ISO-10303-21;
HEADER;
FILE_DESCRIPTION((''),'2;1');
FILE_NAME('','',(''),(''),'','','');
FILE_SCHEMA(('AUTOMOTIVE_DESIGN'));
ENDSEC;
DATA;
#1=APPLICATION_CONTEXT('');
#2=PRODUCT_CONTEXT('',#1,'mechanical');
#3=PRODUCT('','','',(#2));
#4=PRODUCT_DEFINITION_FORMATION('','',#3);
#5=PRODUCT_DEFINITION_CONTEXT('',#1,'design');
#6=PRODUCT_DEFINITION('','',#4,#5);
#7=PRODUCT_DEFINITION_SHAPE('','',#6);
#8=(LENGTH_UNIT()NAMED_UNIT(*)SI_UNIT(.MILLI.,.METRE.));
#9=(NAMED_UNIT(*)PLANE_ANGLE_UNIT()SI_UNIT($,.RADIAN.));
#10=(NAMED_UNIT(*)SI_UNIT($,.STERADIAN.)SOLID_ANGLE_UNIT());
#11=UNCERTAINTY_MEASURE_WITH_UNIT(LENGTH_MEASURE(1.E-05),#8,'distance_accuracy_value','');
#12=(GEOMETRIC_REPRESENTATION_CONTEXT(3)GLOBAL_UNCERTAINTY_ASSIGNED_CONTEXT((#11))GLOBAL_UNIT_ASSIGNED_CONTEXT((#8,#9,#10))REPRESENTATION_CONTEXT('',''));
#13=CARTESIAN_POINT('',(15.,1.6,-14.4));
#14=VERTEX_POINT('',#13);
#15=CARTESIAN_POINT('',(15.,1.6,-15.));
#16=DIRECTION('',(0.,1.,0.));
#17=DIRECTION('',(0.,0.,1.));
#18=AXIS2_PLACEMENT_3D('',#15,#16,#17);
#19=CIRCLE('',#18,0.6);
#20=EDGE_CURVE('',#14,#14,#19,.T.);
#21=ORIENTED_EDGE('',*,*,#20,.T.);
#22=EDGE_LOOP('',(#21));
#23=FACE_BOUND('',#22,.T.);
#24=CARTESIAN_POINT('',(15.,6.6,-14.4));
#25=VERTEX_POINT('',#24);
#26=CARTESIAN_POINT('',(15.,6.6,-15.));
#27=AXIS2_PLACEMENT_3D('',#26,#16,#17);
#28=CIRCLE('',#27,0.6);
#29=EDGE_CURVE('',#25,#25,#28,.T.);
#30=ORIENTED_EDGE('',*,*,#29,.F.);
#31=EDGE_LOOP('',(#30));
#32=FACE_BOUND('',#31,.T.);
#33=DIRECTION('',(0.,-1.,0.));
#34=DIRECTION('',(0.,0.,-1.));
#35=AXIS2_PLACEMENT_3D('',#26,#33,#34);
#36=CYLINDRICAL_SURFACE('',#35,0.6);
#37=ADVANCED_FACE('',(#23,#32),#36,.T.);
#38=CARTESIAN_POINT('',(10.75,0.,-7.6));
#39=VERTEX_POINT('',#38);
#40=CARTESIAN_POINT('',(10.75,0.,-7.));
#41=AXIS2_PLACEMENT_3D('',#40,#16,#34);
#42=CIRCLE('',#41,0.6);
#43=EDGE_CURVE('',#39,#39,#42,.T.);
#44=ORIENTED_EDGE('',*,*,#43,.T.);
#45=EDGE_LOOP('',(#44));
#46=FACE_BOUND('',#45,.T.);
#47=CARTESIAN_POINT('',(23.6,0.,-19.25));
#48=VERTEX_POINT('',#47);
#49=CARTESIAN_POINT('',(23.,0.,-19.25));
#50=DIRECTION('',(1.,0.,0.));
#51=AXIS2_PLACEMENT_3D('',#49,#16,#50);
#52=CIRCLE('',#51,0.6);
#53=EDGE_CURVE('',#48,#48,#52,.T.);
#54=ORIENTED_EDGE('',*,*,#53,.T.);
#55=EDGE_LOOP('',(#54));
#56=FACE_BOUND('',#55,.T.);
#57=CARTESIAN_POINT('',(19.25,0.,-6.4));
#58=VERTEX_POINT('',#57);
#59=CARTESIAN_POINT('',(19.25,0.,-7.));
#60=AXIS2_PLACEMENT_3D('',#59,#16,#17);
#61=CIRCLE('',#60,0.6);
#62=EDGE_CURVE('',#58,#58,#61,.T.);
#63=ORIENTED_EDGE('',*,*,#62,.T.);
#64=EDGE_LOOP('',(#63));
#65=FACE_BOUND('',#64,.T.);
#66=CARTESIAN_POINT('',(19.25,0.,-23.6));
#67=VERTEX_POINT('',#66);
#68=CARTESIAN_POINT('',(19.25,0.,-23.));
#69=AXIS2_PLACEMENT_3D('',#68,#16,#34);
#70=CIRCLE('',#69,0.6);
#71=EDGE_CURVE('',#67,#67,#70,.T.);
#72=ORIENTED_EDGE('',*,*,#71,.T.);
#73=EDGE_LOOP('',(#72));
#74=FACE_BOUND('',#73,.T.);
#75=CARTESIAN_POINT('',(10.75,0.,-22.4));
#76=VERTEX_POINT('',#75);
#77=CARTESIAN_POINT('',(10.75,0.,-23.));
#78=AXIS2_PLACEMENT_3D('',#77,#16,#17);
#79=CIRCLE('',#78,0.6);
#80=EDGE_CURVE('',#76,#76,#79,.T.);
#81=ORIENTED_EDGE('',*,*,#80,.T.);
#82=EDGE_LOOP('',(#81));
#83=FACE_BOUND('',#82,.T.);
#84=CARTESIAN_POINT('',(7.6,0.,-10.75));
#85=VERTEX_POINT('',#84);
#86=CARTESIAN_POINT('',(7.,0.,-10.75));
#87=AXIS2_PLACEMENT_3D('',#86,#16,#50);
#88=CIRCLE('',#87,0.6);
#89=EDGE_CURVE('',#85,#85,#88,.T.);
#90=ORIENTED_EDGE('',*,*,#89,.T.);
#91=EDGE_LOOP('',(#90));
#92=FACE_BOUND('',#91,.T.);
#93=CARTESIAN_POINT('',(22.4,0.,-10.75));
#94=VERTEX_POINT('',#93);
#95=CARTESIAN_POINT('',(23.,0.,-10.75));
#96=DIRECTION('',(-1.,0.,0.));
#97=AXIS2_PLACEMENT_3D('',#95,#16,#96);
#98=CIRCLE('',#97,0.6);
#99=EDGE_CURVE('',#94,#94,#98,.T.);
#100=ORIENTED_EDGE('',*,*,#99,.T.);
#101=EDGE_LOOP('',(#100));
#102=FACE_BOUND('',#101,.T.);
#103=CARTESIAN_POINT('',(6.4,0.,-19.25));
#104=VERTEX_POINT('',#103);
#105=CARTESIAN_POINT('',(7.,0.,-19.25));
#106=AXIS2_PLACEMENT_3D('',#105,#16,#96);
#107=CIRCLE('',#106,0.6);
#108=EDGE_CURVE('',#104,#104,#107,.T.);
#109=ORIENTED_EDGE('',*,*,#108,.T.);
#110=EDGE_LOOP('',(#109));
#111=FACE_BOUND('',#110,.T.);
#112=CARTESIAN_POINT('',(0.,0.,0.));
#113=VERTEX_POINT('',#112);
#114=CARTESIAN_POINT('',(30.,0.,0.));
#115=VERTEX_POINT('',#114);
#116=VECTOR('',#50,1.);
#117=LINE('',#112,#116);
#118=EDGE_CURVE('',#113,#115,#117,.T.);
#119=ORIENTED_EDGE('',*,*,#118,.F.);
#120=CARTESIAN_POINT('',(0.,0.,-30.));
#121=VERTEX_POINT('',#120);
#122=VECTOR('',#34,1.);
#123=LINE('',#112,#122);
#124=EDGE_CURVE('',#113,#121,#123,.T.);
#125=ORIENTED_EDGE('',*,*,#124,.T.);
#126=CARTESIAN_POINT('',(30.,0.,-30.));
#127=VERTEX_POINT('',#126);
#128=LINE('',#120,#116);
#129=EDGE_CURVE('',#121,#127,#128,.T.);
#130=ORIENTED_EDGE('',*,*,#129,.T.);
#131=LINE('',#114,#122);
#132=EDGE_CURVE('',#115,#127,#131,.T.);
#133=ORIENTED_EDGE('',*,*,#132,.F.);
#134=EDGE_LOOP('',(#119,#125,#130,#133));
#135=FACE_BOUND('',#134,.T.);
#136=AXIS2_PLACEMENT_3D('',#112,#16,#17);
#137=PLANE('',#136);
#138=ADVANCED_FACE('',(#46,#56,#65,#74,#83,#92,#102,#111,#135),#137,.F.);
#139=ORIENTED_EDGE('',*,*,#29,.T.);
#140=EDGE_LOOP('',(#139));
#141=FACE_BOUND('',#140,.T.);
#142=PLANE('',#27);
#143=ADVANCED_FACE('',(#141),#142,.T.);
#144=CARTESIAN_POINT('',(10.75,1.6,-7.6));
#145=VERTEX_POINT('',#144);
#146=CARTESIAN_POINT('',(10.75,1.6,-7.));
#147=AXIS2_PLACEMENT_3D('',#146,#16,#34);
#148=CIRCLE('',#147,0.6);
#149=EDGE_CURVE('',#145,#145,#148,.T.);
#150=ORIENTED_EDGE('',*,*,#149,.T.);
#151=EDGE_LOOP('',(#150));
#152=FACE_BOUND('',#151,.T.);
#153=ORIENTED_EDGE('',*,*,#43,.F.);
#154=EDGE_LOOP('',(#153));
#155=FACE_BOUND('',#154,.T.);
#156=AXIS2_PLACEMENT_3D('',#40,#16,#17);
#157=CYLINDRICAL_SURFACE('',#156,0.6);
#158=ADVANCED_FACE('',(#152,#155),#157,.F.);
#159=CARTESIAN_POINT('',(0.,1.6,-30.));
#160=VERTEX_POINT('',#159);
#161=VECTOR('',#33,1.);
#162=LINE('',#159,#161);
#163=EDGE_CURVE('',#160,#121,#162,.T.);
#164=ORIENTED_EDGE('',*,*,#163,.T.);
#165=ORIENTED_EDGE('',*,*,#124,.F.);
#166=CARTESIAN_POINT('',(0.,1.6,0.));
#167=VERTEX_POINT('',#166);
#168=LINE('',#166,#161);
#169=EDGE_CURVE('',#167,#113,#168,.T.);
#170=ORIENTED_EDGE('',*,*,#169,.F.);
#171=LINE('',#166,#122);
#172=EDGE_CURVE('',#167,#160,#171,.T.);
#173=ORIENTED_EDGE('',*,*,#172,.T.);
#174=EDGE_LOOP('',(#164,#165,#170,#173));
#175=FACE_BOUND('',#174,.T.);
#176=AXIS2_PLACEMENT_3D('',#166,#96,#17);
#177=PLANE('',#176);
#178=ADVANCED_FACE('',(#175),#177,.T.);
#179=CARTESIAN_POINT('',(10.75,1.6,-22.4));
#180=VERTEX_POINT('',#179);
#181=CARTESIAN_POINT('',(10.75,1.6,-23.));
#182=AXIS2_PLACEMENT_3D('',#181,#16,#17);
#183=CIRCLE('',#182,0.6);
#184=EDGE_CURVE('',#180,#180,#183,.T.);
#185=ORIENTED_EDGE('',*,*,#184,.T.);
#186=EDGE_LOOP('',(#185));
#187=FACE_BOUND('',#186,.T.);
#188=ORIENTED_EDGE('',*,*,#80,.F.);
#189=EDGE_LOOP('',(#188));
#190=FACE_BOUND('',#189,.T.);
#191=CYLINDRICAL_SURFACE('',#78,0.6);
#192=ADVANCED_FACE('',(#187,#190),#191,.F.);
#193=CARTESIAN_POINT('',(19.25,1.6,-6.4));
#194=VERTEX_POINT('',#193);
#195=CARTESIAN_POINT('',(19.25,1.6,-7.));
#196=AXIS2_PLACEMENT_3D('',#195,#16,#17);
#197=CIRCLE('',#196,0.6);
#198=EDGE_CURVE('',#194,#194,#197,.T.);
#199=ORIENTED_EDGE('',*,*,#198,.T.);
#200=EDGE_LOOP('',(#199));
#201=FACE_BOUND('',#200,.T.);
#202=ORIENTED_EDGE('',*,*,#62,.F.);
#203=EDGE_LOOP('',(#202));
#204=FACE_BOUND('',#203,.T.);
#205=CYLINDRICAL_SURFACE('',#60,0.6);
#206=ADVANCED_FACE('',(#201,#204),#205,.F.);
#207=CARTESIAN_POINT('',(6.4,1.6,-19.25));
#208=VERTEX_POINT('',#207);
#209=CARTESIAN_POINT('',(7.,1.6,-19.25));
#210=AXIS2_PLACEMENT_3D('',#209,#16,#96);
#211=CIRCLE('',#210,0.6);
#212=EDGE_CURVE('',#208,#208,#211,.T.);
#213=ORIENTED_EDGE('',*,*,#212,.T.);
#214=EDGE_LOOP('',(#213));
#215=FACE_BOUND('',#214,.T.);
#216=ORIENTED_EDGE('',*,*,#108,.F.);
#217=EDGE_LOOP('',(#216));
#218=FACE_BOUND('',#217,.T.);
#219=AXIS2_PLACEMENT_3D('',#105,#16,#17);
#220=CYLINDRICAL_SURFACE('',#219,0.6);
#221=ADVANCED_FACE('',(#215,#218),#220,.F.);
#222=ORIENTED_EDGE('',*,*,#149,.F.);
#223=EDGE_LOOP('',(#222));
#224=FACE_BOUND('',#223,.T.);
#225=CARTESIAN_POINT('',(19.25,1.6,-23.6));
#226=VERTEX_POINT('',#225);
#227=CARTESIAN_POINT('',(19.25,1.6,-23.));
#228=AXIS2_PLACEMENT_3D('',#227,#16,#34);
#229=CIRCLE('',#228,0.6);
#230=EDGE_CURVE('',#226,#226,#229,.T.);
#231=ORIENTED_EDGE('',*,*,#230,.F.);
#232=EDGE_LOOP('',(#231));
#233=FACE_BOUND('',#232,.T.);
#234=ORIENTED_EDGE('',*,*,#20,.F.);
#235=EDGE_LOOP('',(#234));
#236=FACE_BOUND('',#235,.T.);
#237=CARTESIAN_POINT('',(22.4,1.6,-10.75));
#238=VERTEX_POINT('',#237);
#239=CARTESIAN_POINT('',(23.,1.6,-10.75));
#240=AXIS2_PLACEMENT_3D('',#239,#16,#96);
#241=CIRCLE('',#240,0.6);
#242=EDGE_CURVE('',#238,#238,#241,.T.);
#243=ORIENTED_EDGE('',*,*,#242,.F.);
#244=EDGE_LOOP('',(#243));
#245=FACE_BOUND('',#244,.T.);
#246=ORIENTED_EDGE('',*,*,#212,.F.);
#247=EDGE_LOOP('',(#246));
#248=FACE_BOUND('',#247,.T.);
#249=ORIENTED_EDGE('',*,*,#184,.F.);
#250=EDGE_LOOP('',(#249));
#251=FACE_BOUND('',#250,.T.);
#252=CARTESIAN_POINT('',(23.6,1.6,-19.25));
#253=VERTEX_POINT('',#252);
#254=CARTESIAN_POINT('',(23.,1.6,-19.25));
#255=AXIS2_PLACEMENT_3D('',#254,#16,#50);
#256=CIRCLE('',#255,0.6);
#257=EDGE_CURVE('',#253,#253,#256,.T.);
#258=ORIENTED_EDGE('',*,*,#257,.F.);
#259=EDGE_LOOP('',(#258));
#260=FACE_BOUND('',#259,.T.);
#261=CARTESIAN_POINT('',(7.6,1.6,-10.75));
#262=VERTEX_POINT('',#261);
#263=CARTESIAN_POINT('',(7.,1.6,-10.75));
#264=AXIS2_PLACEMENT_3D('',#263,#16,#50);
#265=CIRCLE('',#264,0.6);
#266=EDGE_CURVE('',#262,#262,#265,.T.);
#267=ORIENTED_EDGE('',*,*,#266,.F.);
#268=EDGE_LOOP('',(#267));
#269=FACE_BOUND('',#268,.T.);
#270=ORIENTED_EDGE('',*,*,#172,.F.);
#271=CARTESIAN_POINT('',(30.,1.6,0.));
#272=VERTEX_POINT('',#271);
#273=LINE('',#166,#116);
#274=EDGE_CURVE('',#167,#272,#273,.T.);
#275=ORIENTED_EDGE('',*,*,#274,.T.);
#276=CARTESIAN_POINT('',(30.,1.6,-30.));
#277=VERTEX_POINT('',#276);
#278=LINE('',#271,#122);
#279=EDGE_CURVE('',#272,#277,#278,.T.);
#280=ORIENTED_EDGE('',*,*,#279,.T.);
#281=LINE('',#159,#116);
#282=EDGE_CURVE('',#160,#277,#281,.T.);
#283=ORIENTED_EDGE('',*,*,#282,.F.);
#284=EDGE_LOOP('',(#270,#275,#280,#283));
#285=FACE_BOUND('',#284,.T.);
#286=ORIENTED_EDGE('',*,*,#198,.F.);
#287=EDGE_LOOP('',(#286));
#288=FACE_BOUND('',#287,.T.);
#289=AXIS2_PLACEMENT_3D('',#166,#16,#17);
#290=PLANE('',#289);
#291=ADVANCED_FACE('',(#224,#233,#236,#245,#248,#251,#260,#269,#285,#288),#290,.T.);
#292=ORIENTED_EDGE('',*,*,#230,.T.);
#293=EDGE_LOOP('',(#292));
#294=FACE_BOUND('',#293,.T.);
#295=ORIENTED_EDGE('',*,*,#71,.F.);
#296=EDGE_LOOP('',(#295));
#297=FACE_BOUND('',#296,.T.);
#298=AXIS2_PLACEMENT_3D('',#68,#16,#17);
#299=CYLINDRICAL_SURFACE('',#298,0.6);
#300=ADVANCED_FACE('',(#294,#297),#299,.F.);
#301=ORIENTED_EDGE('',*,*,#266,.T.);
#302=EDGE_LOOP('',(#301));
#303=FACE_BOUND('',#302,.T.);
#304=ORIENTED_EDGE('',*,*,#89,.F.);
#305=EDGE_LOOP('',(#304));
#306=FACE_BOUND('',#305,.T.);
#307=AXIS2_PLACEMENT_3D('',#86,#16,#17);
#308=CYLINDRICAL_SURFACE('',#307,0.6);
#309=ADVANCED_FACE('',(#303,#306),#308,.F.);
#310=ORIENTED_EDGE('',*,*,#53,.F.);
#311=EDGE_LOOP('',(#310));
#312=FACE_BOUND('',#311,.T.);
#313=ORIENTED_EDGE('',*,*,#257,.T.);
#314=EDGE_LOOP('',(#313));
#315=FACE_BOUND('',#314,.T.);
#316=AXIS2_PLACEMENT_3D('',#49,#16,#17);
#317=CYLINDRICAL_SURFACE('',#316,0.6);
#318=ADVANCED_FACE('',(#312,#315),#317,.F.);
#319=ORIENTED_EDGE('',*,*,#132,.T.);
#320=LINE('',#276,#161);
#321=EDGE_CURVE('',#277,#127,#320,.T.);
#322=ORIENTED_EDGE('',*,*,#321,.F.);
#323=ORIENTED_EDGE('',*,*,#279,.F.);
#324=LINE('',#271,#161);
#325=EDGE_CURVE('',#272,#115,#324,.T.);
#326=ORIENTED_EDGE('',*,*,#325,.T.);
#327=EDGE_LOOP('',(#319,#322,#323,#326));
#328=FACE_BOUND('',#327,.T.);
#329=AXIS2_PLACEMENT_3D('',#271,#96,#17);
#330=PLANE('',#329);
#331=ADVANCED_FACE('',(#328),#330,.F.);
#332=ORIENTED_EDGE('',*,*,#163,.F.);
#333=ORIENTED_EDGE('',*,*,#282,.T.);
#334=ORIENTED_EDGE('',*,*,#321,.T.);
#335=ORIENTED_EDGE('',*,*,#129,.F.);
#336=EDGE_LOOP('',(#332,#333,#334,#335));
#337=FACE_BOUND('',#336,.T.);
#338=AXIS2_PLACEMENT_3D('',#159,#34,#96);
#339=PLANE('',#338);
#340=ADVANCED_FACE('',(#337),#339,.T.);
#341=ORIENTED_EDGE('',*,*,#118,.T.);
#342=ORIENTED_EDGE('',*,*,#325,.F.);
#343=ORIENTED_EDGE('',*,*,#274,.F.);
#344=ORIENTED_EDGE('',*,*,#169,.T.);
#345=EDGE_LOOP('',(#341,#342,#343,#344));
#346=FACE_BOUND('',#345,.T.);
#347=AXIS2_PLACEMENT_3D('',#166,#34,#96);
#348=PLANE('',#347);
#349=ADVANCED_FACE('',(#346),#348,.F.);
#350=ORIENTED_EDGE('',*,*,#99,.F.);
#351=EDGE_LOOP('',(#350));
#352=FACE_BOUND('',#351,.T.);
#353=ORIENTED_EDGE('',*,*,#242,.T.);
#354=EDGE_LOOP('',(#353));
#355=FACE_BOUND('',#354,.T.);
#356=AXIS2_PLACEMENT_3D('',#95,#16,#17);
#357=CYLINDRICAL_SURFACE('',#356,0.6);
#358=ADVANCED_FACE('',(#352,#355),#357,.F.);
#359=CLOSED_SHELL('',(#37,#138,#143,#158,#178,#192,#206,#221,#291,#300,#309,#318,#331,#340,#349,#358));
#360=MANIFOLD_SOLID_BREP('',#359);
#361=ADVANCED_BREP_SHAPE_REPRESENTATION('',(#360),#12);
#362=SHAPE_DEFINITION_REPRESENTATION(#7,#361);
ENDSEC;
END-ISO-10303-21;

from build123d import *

# Parameters (mm, degrees)
SKETCH1_W           = 30
SKETCH1_H           = 30
BOSS_EXTRUDE1_DEPTH = 1.6
SKETCH2_R           = 0.6
CUT_EXTRUDE1_DEPTH  = 1.6
CIRPATTERN1_COUNT   = 2
CIRPATTERN1_ANGLE   = 90
SKETCH4_R           = 0.6
BOSS_EXTRUDE2_DEPTH = 5


with BuildPart() as part:
    # Sketch1 → Boss-Extrude1 (new body)
    with BuildSketch(Plane(origin=(0, 0, 0), x_dir=(1, 0, 0), z_dir=(0, 1, 0))):
        with Locations((15, 15)):
            Rectangle(SKETCH1_W, SKETCH1_H)
    extrude(amount=BOSS_EXTRUDE1_DEPTH)

    # Sketch2 → Cut-Extrude1 (cut)
    with BuildSketch(Plane(origin=(0, 1.6, 0), x_dir=(1, 0, 0), z_dir=(0, 1, 0))):
        with Locations((19.25, 7)):
            Circle(SKETCH2_R)
        with Locations((10.75, 7)):
            Circle(SKETCH2_R)
        with Locations((19.25, 23)):
            Circle(SKETCH2_R)
        with Locations((10.75, 23)):
            Circle(SKETCH2_R)
    cut_extrude1 = extrude(amount=-CUT_EXTRUDE1_DEPTH, mode=Mode.SUBTRACT)

    # CirPattern1: Cut-Extrude1 ×2 about axis
    cirpattern1_axis = Axis((15, 0, -15), (0, 1, 0))
    for i in range(1, CIRPATTERN1_COUNT):
        add(cut_extrude1.rotate(cirpattern1_axis, i * CIRPATTERN1_ANGLE / (CIRPATTERN1_COUNT - 1)), mode=Mode.SUBTRACT)

    # Sketch4 → Boss-Extrude2 (add)
    with BuildSketch(Plane(origin=(0, 1.6, 0), x_dir=(1, 0, 0), z_dir=(0, 1, 0))):
        with Locations((15, 15)):
            Circle(SKETCH4_R)
    extrude(amount=BOSS_EXTRUDE2_DEPTH)


solid = part.part
